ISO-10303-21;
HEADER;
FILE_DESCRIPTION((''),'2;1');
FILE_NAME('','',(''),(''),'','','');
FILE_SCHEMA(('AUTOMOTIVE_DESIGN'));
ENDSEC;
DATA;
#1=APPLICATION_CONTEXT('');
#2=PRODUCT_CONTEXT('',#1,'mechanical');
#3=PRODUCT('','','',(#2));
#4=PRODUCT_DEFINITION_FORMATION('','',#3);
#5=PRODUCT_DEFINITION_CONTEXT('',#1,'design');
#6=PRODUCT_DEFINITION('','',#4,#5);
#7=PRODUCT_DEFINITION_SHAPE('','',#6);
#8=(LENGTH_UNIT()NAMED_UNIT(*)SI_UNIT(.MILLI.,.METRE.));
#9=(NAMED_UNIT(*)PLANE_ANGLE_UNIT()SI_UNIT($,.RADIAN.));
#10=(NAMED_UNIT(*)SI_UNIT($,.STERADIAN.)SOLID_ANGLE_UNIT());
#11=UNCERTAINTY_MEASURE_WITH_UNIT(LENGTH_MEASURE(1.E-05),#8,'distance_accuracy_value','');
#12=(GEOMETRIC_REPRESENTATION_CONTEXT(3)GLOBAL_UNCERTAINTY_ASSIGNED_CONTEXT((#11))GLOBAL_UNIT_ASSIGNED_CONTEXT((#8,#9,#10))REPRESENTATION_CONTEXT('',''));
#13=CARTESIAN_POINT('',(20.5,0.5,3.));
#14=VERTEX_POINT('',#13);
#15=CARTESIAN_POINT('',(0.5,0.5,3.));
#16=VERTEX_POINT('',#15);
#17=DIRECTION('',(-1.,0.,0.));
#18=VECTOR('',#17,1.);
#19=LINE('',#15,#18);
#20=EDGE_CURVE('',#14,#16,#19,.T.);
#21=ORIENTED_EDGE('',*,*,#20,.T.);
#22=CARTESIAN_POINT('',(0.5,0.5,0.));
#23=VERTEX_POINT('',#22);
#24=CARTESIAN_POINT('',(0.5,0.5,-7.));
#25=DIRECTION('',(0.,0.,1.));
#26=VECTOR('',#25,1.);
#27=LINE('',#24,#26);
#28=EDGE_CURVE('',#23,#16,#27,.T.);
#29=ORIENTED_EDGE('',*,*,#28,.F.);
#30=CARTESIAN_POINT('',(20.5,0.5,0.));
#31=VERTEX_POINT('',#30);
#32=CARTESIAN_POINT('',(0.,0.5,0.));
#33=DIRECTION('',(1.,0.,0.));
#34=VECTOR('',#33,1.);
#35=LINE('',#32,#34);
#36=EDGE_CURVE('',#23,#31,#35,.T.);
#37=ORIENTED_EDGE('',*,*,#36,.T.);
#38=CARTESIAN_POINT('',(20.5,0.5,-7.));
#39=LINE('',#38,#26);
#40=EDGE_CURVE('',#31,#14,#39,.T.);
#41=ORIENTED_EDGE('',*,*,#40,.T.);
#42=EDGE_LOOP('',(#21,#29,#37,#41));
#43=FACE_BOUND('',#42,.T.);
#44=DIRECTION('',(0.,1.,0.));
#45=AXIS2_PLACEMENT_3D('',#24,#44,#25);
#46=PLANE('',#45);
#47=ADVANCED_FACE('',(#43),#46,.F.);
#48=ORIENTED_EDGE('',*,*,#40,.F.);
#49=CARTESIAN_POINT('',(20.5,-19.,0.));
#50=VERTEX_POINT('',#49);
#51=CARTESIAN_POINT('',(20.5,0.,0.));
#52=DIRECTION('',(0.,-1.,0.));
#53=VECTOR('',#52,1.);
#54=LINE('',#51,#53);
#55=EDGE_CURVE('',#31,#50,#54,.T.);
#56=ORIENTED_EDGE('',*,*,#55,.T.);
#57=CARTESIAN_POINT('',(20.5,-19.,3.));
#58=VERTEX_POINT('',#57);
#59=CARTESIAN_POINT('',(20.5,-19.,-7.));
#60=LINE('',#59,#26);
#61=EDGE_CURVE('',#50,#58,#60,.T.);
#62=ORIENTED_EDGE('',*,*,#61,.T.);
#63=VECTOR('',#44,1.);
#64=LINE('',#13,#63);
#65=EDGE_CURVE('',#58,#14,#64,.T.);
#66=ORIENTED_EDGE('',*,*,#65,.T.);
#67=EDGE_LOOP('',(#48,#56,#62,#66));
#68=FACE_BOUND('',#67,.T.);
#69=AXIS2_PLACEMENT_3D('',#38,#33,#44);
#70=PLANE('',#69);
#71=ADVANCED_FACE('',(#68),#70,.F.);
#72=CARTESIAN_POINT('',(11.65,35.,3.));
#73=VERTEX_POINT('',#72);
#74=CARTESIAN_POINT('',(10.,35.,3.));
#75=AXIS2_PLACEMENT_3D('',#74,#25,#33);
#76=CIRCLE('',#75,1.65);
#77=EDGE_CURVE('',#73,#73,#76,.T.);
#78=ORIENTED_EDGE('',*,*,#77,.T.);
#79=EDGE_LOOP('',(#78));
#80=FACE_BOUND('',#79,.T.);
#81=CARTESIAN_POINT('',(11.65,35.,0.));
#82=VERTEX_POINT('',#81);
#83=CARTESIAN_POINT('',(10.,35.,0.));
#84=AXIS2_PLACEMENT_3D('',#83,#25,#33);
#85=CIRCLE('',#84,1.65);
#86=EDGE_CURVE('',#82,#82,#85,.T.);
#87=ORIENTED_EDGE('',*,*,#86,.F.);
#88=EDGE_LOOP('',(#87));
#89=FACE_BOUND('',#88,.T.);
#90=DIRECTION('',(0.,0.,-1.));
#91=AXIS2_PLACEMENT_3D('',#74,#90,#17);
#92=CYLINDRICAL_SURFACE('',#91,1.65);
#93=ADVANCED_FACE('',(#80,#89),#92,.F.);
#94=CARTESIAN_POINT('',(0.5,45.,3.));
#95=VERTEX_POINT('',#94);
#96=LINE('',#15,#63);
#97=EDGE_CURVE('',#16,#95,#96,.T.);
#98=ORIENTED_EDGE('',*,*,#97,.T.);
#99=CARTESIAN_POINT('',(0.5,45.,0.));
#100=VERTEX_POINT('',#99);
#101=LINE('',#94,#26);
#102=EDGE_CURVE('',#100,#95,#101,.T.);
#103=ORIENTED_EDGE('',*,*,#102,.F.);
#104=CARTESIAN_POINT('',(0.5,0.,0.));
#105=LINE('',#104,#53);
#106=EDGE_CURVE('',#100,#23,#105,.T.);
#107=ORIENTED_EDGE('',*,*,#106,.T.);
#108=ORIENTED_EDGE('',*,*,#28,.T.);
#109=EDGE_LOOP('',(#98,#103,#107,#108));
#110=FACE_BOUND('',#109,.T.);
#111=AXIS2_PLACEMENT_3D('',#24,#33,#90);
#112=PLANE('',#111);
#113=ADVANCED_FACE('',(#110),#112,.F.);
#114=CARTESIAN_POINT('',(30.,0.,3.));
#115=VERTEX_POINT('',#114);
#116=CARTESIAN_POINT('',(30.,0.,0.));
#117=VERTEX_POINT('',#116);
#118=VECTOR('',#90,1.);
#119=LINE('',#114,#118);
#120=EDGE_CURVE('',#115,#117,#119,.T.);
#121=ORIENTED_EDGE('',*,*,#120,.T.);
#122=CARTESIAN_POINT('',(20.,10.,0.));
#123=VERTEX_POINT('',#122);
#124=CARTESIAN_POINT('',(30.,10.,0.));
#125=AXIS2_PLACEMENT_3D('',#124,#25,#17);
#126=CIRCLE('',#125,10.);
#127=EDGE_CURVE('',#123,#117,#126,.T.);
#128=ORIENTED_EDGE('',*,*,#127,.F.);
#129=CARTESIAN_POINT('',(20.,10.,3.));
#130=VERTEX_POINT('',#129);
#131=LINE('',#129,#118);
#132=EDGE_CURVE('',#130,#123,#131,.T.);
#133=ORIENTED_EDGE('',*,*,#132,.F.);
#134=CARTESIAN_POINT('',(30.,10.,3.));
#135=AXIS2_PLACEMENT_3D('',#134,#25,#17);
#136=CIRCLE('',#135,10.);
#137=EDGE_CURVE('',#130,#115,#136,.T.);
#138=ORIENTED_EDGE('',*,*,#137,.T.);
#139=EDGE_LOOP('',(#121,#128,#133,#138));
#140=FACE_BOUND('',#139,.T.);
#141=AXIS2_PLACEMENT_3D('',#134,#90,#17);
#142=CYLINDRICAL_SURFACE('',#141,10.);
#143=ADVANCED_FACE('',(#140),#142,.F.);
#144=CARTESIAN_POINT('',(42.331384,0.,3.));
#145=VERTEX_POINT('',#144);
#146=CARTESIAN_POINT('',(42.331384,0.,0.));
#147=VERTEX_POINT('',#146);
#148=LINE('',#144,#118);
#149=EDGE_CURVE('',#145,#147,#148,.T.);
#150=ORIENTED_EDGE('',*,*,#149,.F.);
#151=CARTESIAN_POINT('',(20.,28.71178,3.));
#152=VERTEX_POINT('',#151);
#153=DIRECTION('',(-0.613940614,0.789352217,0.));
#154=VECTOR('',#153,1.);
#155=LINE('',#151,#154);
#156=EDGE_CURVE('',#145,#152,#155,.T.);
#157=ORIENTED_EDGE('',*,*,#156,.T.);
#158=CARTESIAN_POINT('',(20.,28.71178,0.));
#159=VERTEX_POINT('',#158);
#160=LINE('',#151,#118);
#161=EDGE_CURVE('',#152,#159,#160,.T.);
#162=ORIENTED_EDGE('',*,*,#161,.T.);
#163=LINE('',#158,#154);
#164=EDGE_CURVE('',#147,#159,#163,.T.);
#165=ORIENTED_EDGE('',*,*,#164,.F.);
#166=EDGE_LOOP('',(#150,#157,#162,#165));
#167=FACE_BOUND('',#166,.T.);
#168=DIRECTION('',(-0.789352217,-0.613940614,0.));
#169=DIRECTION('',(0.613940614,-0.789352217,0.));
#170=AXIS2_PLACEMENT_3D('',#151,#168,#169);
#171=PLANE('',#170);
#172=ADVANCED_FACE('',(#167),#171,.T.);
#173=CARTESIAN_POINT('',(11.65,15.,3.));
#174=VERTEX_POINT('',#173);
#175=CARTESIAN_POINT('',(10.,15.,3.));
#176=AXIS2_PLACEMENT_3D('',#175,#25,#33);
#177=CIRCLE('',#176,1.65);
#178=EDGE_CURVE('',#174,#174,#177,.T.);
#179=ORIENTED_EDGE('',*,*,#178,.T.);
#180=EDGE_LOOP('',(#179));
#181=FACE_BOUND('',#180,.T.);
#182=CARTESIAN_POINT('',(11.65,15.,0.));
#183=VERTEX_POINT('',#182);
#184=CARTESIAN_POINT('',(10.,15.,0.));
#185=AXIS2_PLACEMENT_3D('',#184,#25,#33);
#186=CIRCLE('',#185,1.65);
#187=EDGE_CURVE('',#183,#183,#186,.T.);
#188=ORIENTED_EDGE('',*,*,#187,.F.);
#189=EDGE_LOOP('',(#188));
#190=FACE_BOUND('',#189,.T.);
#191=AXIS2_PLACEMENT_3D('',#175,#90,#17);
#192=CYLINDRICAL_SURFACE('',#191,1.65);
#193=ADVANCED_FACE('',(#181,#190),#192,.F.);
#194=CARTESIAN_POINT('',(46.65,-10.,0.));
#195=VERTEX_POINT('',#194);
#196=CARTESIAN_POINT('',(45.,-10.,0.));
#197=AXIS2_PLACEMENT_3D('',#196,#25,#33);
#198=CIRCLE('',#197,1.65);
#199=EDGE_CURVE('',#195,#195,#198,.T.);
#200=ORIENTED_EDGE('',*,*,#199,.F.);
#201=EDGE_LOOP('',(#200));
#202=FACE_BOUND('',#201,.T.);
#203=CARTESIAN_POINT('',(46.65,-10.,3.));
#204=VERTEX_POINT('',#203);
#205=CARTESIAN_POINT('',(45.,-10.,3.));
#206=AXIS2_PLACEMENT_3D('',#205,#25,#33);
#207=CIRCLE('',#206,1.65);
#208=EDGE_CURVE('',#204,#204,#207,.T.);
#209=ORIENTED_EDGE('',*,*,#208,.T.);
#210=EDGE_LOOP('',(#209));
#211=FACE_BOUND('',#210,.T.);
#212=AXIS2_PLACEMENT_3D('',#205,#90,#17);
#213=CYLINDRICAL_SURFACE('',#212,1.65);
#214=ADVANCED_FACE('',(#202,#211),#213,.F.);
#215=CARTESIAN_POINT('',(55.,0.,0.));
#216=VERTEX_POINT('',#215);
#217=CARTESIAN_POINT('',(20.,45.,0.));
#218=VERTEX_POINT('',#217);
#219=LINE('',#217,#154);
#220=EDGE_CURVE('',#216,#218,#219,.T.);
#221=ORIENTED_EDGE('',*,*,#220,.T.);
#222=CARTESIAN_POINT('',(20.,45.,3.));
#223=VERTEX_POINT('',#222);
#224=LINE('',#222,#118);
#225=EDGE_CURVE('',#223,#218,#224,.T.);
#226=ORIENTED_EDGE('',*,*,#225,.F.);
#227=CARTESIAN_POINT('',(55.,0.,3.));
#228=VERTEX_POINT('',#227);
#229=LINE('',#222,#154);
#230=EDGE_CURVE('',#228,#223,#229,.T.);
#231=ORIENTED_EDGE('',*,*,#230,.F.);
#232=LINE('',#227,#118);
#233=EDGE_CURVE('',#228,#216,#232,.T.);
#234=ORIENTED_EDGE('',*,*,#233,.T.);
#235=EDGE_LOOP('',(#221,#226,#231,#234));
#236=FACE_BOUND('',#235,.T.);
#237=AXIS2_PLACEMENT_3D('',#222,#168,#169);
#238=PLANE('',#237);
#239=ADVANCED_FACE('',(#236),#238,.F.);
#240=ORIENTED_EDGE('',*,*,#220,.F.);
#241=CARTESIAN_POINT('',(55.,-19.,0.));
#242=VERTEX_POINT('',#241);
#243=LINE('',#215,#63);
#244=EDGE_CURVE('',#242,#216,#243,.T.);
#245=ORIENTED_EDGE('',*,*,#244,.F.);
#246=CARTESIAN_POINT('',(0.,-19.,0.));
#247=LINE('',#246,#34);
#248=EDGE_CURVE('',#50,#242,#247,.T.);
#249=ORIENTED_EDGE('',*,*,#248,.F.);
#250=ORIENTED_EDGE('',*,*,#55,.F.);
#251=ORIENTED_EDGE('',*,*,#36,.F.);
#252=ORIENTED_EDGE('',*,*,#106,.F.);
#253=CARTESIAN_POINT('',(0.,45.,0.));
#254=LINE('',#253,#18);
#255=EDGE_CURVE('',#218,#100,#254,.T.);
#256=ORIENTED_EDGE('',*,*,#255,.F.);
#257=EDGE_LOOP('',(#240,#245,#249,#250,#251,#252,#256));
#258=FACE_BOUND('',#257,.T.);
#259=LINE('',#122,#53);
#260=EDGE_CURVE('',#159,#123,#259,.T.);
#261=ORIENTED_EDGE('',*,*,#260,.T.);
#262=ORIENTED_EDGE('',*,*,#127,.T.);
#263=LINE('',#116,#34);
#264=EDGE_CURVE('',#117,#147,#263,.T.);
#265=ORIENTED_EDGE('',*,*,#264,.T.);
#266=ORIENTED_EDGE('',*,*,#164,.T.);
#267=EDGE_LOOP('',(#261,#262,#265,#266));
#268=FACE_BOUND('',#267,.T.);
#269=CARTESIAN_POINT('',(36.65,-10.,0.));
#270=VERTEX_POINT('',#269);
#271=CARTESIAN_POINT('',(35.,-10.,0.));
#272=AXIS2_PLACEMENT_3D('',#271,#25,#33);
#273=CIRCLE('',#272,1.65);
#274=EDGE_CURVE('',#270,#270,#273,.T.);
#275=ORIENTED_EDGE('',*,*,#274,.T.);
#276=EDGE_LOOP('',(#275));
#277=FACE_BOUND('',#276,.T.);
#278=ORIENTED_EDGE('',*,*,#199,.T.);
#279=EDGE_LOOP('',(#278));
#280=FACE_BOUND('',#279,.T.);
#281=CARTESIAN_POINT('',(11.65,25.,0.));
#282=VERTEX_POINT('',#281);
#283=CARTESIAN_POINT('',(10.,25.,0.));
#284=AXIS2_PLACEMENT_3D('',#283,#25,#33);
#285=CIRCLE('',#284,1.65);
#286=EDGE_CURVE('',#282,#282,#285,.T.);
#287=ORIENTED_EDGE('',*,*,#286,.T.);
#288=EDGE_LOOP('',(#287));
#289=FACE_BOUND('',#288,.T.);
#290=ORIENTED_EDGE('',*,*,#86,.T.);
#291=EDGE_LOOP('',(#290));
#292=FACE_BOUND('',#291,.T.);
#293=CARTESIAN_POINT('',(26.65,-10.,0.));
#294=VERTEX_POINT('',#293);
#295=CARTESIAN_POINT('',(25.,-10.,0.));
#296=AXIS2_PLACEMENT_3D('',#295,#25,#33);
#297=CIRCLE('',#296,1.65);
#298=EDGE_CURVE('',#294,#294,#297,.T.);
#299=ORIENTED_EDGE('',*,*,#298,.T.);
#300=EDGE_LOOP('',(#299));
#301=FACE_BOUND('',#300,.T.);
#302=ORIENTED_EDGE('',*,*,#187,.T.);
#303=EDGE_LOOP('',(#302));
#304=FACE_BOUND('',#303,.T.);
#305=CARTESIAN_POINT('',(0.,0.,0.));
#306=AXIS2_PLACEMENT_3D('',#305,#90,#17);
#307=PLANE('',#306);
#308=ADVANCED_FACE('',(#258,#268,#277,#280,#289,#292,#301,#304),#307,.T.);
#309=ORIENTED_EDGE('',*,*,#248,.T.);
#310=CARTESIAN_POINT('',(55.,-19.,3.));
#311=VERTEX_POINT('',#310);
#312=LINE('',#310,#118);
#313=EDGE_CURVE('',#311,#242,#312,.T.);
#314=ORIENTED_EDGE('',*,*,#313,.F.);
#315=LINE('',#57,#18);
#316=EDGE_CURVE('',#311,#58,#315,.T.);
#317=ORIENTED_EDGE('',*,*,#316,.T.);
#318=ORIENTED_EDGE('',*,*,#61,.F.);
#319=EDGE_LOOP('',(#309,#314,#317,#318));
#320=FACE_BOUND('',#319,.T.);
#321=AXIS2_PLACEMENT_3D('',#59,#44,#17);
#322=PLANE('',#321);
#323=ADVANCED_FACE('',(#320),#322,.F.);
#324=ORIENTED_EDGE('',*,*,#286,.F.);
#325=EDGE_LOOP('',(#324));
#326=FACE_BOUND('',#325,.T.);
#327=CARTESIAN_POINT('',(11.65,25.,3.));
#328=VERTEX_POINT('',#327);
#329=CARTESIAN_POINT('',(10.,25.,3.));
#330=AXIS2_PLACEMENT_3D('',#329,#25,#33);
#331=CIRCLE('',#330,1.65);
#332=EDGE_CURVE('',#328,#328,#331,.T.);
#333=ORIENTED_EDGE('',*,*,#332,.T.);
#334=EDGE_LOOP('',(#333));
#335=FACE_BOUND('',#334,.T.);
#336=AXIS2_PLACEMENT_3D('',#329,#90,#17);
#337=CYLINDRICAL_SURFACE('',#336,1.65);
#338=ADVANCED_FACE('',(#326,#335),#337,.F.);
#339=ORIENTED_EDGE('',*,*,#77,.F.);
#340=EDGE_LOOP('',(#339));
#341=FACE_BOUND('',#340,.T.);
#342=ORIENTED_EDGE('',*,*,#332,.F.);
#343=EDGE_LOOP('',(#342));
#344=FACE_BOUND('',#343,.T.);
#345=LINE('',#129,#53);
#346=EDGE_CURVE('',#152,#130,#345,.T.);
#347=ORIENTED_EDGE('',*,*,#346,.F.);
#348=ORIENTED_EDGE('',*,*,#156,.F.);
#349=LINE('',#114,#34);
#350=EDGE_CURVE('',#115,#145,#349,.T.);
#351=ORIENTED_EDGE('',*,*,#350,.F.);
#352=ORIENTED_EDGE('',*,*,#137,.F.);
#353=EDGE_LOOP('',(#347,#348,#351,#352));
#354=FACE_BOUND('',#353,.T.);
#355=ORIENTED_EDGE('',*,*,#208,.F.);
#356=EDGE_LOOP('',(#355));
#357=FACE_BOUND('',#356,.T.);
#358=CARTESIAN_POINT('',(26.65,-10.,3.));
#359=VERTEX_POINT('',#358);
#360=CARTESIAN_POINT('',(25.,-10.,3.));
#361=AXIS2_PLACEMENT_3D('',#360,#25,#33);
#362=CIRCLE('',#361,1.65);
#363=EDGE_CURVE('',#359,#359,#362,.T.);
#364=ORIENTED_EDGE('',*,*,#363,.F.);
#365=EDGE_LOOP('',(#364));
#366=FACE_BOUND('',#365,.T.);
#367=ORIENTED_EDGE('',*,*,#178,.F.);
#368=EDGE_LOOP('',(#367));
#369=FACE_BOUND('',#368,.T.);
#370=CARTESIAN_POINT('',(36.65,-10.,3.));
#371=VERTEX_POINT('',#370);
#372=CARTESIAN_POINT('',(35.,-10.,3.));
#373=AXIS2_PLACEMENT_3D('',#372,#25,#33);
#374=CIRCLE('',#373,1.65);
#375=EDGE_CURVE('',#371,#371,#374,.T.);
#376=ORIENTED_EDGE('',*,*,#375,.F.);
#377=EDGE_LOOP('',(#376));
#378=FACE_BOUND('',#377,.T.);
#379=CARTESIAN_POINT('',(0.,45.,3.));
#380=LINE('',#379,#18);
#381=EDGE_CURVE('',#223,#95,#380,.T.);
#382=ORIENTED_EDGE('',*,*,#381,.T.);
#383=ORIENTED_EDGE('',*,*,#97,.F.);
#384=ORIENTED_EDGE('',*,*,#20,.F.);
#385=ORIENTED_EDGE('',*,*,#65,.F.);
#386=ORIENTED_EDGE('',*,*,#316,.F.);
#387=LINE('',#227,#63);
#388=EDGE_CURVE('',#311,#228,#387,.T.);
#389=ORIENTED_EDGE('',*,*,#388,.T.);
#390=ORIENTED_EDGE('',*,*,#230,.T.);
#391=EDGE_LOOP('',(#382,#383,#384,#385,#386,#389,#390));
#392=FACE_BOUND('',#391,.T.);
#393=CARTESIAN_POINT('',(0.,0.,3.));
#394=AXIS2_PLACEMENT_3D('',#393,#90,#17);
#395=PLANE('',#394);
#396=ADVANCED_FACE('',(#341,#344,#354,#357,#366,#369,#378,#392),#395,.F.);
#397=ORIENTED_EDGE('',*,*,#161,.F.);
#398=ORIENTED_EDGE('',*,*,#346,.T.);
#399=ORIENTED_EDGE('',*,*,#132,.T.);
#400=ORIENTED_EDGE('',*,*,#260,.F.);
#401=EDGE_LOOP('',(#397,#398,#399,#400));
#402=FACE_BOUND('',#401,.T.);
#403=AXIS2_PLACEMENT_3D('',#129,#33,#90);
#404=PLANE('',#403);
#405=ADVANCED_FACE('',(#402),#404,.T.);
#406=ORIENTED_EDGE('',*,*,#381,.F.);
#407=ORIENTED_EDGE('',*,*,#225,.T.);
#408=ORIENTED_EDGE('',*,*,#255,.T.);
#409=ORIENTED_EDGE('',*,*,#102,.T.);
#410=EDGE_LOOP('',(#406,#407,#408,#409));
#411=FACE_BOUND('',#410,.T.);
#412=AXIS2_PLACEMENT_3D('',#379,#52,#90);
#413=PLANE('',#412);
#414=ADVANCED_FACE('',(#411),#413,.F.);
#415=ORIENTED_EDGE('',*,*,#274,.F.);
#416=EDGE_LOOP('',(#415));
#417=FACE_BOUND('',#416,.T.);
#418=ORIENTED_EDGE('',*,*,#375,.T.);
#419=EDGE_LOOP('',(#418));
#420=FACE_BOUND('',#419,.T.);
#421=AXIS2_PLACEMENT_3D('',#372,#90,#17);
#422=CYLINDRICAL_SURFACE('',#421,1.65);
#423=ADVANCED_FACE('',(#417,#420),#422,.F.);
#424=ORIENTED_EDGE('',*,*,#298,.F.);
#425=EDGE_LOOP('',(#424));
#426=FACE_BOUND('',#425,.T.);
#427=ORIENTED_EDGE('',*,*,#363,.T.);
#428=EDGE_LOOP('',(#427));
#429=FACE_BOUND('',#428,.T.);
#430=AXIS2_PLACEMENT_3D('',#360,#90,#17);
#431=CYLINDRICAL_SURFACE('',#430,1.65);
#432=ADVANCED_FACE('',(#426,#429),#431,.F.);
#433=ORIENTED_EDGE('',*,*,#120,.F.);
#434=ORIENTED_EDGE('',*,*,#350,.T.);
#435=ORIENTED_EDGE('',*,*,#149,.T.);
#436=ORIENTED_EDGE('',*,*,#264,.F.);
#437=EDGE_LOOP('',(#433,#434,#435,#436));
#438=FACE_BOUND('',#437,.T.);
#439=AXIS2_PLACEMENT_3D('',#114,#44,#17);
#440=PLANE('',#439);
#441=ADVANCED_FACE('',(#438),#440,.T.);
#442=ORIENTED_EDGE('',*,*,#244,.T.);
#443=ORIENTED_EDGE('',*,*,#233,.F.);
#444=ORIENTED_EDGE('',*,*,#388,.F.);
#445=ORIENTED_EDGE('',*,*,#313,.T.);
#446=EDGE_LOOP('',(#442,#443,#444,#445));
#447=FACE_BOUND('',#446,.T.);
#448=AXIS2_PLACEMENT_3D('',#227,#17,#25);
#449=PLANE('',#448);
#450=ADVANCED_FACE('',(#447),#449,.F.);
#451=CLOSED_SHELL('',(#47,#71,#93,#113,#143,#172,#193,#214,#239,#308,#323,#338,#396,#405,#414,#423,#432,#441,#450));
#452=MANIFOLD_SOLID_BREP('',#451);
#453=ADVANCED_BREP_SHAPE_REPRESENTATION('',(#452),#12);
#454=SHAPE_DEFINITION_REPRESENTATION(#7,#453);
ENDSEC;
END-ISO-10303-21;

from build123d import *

# Parameters (mm, degrees)
SKETCH_1_R          = 1.65
EXTRUDE_1_DEPTH     = 3
CUT_EXTRUDE_1_DEPTH = 10


with BuildPart() as part:
    # 草图1 → 凸台-拉伸1 (new body)
    with BuildSketch(Plane.XY):
        Polygon((0, 0), (20, 0), (20, -20), (55, -20), (55, 0), (20, 45), (0, 45), align=None)
        with Locations((10, 15)):
            Circle(SKETCH_1_R, mode=Mode.SUBTRACT)
        with Locations((10, 35)):
            Circle(SKETCH_1_R, mode=Mode.SUBTRACT)
        with Locations((10, 25)):
            Circle(SKETCH_1_R, mode=Mode.SUBTRACT)
        with Locations((25, -10)):
            Circle(SKETCH_1_R, mode=Mode.SUBTRACT)
        with Locations((35, -10)):
            Circle(SKETCH_1_R, mode=Mode.SUBTRACT)
        with Locations((45, -10)):
            Circle(SKETCH_1_R, mode=Mode.SUBTRACT)
        with BuildLine():
            Line((20, 10), (20, 28.711779641))
            Line((20, 28.711779641), (42.331384166, 0))
            Line((42.331384166, 0), (30, 0))
            ThreePointArc((30, 0), (22.928932188, 2.928932188), (20, 10))
        make_face(mode=Mode.SUBTRACT)
    extrude(amount=EXTRUDE_1_DEPTH)

    # 草图2 → 切除-拉伸1 (cut)
    with BuildSketch(Plane.XY.offset(3)):
        Polygon((20.5, -19), (61.4403438, -19), (61.4403438, -24.760517067), (16.601724468, -23.670689514), (0, 0), (-5.850932492, 46.668097056), (0.5, 47.42662584), (0.5, 0.5), (20.5, 0.5), align=None)
    extrude(amount=-CUT_EXTRUDE_1_DEPTH, mode=Mode.SUBTRACT)


solid = part.part
